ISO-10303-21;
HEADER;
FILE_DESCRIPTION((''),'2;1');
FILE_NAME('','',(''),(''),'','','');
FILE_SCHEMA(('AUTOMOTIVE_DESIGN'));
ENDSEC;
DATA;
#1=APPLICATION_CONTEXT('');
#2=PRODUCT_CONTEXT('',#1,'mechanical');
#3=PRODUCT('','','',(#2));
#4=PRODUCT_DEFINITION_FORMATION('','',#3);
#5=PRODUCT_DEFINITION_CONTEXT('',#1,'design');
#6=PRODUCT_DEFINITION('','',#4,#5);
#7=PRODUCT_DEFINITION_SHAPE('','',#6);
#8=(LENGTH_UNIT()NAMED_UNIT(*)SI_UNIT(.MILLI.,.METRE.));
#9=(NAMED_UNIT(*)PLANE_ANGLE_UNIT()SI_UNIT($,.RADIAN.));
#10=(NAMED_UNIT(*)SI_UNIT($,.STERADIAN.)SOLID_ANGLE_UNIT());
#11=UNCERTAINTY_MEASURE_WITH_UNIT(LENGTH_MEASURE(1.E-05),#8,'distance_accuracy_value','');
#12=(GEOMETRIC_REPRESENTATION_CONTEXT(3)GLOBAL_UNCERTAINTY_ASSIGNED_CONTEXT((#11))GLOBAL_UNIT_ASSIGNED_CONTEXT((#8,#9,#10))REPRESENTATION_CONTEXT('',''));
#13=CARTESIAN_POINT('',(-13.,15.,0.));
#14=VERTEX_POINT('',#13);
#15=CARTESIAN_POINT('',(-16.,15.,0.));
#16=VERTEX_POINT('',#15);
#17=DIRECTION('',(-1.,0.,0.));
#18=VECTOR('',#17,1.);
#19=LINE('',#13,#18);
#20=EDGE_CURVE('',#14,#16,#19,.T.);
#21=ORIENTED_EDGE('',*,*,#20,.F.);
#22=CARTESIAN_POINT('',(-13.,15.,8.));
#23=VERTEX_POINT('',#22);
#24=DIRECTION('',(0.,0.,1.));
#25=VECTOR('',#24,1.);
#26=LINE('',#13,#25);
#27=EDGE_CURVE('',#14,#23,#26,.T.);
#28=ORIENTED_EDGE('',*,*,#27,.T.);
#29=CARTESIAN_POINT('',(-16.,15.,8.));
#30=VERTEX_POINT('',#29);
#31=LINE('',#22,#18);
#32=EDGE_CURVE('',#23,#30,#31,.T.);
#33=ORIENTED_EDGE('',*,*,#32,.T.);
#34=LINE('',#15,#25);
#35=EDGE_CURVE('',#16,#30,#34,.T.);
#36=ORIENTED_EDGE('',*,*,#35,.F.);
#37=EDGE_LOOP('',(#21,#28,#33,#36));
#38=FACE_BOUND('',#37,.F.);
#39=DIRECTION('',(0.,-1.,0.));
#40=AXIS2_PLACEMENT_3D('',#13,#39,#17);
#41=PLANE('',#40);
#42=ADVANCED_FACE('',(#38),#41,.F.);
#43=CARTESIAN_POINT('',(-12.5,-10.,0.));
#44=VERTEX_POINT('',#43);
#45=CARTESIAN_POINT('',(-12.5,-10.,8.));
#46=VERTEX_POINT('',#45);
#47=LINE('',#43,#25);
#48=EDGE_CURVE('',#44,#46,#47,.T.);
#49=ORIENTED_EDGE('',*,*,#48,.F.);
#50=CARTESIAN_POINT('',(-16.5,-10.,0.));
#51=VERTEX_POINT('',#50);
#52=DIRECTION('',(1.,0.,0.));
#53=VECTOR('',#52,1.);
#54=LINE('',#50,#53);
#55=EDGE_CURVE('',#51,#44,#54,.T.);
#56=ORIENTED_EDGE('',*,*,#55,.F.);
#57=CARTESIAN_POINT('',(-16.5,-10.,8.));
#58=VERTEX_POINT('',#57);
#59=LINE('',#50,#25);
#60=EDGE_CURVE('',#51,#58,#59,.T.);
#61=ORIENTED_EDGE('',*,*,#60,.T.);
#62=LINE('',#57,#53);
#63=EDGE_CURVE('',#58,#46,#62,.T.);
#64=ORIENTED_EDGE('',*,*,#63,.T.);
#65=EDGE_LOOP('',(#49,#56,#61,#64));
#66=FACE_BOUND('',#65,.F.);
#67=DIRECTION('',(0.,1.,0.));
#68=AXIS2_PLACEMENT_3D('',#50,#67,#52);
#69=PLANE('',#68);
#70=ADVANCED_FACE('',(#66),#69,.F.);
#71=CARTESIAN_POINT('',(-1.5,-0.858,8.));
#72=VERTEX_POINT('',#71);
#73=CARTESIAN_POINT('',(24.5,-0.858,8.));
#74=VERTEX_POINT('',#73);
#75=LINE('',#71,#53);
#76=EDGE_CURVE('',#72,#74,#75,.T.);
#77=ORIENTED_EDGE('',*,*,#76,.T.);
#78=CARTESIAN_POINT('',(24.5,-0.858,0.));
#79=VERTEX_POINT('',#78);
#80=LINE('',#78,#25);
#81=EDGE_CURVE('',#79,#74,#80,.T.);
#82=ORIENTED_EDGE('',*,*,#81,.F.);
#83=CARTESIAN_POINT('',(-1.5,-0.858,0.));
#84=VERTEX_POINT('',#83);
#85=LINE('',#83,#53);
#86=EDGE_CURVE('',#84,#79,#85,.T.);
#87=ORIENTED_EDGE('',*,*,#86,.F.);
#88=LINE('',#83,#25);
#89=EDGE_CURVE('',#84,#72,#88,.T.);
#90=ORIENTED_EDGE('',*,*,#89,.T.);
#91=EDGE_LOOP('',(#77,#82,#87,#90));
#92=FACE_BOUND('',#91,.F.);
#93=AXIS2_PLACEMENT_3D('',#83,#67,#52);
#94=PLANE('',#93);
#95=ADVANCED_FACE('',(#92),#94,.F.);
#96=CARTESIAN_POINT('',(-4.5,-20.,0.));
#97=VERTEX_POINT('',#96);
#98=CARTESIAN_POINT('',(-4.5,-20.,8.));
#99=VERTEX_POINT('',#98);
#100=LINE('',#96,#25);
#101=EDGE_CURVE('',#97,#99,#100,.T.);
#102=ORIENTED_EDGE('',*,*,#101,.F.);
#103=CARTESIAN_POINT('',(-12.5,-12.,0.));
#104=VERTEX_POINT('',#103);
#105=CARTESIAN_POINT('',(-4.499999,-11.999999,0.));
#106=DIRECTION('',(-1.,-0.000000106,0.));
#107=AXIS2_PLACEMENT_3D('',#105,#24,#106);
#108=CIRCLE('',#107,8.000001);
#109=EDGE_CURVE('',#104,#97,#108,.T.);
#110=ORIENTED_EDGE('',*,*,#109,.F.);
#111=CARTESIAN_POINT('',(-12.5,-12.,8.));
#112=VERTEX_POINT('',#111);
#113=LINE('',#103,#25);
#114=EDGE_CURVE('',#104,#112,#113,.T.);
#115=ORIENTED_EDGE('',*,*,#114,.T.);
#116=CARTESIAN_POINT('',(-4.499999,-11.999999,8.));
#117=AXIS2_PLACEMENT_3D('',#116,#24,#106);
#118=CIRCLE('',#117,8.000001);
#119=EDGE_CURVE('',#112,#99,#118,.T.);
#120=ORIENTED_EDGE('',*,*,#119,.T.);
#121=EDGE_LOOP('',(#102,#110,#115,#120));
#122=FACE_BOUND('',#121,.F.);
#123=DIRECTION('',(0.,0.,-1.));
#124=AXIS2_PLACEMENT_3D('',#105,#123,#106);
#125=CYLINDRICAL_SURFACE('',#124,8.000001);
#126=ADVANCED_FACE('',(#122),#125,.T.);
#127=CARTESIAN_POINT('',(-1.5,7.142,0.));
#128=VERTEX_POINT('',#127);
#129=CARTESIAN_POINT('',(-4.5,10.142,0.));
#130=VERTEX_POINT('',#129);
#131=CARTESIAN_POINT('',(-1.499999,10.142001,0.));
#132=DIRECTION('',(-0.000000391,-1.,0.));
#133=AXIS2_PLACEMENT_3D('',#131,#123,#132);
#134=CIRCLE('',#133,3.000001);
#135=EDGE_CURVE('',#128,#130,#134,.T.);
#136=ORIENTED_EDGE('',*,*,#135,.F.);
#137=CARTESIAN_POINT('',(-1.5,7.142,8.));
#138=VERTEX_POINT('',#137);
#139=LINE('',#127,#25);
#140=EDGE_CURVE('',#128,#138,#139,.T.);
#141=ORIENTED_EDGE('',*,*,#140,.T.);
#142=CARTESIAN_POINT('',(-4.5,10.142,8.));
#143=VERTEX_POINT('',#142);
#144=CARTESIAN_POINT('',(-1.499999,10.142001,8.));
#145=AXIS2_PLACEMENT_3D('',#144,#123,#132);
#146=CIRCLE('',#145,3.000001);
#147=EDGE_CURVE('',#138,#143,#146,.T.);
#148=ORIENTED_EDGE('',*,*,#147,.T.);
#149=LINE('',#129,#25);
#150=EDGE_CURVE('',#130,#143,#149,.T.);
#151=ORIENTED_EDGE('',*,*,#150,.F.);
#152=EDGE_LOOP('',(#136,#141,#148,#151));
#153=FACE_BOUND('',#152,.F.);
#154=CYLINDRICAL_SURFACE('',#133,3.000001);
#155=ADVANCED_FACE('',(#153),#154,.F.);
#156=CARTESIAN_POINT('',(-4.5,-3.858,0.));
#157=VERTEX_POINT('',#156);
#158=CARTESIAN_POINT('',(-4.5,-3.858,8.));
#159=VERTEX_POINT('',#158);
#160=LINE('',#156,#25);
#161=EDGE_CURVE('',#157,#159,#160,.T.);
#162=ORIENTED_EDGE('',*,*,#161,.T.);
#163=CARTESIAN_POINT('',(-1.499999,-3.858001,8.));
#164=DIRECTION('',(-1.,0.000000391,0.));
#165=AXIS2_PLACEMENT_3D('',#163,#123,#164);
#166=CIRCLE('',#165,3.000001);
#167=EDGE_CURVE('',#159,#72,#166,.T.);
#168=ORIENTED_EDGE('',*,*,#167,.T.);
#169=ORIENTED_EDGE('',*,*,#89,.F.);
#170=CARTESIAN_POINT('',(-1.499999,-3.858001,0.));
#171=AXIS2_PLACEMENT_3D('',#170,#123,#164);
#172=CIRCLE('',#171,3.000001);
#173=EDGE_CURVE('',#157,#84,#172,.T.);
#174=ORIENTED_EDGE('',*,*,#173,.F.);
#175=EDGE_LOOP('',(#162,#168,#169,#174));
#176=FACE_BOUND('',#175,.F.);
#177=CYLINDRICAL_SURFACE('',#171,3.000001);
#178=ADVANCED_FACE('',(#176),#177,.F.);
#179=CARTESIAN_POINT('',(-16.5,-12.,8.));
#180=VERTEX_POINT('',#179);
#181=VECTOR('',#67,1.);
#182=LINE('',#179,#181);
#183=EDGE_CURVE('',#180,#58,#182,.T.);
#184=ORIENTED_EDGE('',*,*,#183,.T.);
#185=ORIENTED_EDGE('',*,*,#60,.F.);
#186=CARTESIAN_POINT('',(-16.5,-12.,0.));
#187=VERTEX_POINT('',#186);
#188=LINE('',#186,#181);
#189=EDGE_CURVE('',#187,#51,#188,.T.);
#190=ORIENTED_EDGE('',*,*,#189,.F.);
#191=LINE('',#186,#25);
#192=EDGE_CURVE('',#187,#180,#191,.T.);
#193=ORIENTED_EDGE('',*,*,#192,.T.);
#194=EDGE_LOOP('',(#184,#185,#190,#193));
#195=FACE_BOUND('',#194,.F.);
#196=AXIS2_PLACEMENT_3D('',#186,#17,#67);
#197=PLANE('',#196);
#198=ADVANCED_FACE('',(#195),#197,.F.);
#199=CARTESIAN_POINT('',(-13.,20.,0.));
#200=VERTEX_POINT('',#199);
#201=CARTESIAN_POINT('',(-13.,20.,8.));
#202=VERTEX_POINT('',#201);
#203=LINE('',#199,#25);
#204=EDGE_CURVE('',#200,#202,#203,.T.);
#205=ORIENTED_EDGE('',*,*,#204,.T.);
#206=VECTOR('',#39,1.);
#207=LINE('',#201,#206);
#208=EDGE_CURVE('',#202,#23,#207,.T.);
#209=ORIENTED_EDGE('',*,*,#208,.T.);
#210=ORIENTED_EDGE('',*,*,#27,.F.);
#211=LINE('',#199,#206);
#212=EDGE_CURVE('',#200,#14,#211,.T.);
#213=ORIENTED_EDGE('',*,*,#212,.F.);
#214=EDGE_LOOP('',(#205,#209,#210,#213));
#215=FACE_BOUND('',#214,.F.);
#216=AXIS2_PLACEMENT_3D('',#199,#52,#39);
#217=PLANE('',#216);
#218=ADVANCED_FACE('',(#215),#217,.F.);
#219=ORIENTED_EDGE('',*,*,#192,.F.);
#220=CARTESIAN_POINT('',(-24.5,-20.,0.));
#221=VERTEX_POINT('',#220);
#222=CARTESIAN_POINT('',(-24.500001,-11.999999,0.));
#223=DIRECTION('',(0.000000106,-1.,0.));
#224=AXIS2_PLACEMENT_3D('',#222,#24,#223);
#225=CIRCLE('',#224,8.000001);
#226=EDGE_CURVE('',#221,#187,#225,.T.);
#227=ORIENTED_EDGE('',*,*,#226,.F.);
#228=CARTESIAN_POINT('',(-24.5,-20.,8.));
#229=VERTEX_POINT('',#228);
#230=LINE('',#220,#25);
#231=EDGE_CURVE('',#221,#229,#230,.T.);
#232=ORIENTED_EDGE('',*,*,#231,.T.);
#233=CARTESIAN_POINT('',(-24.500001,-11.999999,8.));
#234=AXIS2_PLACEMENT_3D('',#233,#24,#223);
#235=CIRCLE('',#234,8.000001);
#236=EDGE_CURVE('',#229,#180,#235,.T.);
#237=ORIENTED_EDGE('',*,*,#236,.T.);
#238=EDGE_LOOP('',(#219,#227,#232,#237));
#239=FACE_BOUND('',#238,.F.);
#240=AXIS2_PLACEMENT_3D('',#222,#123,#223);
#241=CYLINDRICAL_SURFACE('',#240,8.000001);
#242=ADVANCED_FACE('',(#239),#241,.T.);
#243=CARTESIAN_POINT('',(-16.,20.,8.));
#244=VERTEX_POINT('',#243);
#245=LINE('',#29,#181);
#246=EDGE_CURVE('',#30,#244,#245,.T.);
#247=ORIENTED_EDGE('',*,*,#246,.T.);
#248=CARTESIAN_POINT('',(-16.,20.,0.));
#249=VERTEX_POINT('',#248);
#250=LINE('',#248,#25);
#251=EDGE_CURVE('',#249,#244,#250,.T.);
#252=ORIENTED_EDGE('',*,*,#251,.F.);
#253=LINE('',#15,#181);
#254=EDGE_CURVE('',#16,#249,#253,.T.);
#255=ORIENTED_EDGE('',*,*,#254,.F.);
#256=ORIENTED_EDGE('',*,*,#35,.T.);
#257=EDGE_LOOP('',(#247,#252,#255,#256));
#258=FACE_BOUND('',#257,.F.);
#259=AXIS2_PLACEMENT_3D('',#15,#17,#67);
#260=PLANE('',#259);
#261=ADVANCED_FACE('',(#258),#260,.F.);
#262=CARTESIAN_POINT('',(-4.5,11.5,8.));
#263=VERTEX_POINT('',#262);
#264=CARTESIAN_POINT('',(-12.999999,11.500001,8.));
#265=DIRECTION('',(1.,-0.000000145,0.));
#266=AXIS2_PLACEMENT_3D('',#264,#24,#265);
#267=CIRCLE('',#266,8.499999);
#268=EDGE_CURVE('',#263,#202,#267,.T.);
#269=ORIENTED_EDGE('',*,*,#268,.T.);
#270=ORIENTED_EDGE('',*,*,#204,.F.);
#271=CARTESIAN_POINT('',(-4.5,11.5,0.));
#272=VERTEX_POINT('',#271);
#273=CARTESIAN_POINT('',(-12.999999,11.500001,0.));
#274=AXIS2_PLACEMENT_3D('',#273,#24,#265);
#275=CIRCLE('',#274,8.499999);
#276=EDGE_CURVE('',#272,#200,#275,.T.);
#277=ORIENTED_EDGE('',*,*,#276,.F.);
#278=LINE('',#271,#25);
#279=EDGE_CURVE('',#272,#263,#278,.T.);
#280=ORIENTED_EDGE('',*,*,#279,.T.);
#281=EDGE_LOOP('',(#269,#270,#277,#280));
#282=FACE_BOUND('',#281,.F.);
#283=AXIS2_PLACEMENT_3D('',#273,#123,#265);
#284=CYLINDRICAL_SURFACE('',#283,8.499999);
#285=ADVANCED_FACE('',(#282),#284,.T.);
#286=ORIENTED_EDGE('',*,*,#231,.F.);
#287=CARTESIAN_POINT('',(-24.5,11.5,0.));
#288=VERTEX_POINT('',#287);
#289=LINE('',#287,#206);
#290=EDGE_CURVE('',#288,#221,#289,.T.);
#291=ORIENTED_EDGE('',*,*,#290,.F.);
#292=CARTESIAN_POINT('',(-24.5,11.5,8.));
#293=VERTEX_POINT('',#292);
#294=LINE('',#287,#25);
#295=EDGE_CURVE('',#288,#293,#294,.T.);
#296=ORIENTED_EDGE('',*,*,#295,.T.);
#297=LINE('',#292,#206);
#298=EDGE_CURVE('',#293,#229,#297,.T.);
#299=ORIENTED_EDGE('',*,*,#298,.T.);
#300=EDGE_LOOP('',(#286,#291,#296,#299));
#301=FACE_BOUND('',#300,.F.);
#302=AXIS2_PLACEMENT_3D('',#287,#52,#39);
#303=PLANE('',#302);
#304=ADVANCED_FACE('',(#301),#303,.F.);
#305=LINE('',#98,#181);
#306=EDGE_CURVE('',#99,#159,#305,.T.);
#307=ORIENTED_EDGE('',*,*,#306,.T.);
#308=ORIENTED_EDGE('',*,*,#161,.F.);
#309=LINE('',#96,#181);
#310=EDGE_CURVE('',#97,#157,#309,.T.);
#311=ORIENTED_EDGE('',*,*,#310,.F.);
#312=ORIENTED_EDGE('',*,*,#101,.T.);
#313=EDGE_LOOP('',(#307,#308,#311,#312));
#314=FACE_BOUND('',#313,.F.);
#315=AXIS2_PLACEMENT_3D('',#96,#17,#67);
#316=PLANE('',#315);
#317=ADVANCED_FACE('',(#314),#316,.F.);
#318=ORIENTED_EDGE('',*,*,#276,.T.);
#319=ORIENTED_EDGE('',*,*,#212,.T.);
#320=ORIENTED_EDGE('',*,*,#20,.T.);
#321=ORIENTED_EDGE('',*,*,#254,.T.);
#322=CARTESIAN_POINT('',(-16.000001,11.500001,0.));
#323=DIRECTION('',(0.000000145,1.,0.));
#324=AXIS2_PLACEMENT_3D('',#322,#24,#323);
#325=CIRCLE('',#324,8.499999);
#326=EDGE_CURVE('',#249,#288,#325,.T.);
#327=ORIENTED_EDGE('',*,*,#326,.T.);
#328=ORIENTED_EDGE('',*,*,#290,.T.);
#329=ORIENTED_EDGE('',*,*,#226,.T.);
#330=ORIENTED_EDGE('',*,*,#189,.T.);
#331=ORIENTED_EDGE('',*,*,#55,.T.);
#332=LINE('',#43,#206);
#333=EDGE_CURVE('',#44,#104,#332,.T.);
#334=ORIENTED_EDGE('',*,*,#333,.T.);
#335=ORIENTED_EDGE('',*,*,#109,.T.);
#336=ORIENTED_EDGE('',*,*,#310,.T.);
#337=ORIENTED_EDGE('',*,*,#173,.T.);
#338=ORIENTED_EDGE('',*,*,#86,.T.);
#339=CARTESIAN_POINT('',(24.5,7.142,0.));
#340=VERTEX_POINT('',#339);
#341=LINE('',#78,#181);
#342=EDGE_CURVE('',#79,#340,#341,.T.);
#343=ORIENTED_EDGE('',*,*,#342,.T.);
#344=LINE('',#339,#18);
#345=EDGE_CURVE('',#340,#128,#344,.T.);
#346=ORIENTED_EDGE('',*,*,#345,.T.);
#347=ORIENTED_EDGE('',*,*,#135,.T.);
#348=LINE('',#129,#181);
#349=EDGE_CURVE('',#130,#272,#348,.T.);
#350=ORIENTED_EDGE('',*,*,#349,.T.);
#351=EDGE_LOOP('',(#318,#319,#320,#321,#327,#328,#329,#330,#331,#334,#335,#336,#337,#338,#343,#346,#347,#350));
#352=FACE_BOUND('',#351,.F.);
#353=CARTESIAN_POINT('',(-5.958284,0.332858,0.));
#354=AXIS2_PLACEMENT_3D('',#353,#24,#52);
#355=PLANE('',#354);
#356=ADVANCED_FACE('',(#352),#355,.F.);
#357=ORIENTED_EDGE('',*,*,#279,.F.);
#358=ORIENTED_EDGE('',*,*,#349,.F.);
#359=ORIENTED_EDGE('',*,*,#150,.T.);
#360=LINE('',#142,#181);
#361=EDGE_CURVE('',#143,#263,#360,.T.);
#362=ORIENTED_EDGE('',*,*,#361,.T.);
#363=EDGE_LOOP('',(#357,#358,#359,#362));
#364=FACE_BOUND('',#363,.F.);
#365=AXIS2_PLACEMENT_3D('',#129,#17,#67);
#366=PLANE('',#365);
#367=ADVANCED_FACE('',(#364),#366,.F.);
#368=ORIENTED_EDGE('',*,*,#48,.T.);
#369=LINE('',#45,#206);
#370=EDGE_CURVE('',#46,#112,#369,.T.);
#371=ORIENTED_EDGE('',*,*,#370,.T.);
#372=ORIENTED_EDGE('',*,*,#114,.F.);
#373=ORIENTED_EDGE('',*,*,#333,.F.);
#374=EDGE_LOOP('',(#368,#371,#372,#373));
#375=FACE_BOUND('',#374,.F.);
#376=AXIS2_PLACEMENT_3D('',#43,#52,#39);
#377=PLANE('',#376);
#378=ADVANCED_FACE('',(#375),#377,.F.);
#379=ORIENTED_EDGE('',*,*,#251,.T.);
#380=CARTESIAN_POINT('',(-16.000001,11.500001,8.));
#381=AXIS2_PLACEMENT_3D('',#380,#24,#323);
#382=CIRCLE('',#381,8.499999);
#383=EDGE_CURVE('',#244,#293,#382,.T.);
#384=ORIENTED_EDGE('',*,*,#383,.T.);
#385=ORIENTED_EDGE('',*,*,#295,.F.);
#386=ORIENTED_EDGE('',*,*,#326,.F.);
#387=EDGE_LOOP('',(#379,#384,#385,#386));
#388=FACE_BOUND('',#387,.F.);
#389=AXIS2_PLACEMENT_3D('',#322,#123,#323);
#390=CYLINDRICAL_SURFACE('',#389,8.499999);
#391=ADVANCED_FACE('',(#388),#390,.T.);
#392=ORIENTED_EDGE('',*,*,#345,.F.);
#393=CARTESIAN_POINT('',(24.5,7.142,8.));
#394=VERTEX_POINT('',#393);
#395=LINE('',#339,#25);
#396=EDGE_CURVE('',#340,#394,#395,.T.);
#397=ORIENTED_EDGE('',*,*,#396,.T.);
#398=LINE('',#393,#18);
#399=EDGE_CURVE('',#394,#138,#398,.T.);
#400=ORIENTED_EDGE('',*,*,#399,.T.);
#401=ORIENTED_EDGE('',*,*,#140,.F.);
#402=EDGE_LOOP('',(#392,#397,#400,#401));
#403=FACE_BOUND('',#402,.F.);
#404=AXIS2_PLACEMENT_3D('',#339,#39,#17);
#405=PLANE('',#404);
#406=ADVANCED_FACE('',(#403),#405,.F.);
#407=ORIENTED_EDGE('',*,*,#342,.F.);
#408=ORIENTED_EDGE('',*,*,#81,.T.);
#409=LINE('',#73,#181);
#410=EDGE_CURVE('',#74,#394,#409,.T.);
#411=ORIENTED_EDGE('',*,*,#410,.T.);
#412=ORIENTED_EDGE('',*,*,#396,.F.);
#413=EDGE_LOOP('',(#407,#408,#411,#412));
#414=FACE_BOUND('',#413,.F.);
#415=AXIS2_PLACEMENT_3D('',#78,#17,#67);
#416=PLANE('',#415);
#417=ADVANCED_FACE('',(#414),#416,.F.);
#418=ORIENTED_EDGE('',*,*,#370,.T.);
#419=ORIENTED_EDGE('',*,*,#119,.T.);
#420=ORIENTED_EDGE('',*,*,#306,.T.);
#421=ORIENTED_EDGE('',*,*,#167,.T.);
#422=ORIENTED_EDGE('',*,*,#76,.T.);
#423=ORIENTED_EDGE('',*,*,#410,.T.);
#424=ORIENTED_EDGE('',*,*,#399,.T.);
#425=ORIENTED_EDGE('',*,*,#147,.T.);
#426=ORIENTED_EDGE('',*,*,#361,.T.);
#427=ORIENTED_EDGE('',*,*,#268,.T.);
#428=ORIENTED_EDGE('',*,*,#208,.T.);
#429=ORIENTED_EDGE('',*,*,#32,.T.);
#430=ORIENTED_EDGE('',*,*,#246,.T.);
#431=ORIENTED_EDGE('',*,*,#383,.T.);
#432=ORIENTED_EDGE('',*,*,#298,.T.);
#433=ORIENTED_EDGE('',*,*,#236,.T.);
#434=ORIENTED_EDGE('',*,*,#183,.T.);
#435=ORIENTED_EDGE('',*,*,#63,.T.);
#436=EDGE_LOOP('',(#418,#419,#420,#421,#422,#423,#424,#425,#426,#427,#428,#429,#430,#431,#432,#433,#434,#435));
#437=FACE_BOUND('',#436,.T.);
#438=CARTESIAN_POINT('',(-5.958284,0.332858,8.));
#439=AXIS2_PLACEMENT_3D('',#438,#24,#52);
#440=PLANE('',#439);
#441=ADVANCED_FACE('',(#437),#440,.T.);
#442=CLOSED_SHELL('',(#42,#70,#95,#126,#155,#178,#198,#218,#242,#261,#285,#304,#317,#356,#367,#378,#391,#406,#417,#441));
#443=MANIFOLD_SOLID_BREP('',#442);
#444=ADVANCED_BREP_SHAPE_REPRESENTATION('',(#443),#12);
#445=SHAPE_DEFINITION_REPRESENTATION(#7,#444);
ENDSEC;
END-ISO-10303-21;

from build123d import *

# Parameters (mm, degrees)
F1_DEPTH = 8


with BuildPart() as f1:
    # F0 (on Top) → F1 (new body)
    with BuildSketch(Plane.XY):
        with BuildLine():
            Line((24.5, -0.858), (24.5, 7.142))
            Line((24.5, 7.142), (-1.5, 7.142))
            ThreePointArc((-1.5, 7.142), (-3.62132, 8.02068), (-4.5, 10.142))
            Line((-4.5, 10.142), (-4.5, 11.5))
            ThreePointArc((-4.5, 11.5), (-6.989592, 17.510408), (-13, 20))
            Line((-13, 20), (-13, 15))
            Line((-13, 15), (-16, 15))
            Line((-16, 15), (-16, 20))
            ThreePointArc((-16, 20), (-22.010408, 17.510408), (-24.5, 11.5))
            Line((-24.5, 11.5), (-24.5, -20))
            ThreePointArc((-24.5, -20), (-18.843146, -17.656854), (-16.5, -12))
            Line((-16.5, -12), (-16.5, -10))
            Line((-16.5, -10), (-12.5, -10))
            Line((-12.5, -10), (-12.5, -12))
            ThreePointArc((-12.5, -12), (-10.156854, -17.656854), (-4.5, -20))
            Line((-4.5, -20), (-4.5, -3.858))
            ThreePointArc((-4.5, -3.858), (-3.62132, -1.73668), (-1.5, -0.858))
            Line((-1.5, -0.858), (24.5, -0.858))
        make_face()
    extrude(amount=F1_DEPTH)


solid = f1.part
